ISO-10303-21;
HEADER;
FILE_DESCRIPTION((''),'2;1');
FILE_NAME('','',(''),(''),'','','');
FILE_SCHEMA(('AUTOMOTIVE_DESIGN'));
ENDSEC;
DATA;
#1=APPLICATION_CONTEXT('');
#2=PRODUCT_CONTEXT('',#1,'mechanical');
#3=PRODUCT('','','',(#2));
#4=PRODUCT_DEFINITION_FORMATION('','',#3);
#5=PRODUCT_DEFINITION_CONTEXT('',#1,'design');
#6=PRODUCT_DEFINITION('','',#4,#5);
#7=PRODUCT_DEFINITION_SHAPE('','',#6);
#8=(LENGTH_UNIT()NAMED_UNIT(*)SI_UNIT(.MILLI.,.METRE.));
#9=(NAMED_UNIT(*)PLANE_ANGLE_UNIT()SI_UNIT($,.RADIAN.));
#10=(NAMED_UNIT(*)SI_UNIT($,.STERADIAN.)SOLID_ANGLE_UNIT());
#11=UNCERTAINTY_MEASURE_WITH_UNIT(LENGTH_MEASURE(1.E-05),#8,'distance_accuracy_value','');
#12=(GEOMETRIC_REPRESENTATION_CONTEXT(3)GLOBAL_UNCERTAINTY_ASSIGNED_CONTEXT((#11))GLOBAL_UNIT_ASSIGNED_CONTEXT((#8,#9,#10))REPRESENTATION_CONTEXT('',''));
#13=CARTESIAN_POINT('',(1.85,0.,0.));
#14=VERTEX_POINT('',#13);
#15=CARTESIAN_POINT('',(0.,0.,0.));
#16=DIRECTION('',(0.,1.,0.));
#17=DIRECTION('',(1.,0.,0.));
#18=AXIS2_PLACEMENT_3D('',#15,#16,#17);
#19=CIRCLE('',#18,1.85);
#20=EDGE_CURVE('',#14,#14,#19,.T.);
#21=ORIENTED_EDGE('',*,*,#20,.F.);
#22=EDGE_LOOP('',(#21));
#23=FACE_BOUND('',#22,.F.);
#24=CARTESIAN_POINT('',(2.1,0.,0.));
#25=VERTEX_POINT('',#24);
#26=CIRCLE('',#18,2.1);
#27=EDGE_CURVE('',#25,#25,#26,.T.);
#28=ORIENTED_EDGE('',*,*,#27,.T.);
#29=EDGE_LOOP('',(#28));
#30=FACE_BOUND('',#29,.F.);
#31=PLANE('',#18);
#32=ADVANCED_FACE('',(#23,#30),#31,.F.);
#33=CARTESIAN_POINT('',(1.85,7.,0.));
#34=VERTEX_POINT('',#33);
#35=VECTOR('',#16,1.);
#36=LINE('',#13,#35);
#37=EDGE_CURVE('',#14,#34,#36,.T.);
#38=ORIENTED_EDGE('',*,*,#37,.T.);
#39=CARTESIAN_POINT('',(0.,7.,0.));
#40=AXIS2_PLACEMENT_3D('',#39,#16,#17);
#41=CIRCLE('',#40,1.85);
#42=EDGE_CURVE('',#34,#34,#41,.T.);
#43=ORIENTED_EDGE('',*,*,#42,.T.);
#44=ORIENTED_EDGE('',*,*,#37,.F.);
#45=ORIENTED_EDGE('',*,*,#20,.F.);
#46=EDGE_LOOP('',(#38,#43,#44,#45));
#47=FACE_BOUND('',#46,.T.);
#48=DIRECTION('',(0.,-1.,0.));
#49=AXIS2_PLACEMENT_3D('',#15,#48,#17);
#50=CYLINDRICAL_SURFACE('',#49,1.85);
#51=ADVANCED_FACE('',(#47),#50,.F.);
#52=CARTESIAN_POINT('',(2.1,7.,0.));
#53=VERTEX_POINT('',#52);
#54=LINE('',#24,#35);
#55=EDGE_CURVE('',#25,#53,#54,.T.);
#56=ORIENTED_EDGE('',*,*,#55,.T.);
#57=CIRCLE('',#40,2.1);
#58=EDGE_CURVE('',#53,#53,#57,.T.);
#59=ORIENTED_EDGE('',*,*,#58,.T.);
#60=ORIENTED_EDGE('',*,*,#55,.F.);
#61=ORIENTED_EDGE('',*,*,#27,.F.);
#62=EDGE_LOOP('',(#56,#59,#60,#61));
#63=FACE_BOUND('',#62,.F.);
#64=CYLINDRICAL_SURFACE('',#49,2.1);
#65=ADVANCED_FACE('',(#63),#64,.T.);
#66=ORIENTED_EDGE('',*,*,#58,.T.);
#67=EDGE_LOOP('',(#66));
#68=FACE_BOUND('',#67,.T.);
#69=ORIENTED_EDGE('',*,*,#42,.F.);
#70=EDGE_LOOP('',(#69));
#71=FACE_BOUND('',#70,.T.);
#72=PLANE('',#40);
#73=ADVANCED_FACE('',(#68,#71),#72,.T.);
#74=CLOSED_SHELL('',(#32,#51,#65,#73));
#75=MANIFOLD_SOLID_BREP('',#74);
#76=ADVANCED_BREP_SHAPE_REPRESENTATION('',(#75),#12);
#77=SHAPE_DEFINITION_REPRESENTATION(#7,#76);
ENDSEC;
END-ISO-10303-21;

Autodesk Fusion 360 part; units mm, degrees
sketch "Esquisse1" plane through (0, 0, 0) normal (0, 1, 0) x (1, 0, 0)
  circle A0 centre (0, 0) radius 2.1
  circle A1 centre (0, 0) radius 1.85
  dimension "d1" = 4.2
  dimension "d3" = -0.25
extrude "Extrusion1" add sketch "Esquisse1" along normal blind 7
